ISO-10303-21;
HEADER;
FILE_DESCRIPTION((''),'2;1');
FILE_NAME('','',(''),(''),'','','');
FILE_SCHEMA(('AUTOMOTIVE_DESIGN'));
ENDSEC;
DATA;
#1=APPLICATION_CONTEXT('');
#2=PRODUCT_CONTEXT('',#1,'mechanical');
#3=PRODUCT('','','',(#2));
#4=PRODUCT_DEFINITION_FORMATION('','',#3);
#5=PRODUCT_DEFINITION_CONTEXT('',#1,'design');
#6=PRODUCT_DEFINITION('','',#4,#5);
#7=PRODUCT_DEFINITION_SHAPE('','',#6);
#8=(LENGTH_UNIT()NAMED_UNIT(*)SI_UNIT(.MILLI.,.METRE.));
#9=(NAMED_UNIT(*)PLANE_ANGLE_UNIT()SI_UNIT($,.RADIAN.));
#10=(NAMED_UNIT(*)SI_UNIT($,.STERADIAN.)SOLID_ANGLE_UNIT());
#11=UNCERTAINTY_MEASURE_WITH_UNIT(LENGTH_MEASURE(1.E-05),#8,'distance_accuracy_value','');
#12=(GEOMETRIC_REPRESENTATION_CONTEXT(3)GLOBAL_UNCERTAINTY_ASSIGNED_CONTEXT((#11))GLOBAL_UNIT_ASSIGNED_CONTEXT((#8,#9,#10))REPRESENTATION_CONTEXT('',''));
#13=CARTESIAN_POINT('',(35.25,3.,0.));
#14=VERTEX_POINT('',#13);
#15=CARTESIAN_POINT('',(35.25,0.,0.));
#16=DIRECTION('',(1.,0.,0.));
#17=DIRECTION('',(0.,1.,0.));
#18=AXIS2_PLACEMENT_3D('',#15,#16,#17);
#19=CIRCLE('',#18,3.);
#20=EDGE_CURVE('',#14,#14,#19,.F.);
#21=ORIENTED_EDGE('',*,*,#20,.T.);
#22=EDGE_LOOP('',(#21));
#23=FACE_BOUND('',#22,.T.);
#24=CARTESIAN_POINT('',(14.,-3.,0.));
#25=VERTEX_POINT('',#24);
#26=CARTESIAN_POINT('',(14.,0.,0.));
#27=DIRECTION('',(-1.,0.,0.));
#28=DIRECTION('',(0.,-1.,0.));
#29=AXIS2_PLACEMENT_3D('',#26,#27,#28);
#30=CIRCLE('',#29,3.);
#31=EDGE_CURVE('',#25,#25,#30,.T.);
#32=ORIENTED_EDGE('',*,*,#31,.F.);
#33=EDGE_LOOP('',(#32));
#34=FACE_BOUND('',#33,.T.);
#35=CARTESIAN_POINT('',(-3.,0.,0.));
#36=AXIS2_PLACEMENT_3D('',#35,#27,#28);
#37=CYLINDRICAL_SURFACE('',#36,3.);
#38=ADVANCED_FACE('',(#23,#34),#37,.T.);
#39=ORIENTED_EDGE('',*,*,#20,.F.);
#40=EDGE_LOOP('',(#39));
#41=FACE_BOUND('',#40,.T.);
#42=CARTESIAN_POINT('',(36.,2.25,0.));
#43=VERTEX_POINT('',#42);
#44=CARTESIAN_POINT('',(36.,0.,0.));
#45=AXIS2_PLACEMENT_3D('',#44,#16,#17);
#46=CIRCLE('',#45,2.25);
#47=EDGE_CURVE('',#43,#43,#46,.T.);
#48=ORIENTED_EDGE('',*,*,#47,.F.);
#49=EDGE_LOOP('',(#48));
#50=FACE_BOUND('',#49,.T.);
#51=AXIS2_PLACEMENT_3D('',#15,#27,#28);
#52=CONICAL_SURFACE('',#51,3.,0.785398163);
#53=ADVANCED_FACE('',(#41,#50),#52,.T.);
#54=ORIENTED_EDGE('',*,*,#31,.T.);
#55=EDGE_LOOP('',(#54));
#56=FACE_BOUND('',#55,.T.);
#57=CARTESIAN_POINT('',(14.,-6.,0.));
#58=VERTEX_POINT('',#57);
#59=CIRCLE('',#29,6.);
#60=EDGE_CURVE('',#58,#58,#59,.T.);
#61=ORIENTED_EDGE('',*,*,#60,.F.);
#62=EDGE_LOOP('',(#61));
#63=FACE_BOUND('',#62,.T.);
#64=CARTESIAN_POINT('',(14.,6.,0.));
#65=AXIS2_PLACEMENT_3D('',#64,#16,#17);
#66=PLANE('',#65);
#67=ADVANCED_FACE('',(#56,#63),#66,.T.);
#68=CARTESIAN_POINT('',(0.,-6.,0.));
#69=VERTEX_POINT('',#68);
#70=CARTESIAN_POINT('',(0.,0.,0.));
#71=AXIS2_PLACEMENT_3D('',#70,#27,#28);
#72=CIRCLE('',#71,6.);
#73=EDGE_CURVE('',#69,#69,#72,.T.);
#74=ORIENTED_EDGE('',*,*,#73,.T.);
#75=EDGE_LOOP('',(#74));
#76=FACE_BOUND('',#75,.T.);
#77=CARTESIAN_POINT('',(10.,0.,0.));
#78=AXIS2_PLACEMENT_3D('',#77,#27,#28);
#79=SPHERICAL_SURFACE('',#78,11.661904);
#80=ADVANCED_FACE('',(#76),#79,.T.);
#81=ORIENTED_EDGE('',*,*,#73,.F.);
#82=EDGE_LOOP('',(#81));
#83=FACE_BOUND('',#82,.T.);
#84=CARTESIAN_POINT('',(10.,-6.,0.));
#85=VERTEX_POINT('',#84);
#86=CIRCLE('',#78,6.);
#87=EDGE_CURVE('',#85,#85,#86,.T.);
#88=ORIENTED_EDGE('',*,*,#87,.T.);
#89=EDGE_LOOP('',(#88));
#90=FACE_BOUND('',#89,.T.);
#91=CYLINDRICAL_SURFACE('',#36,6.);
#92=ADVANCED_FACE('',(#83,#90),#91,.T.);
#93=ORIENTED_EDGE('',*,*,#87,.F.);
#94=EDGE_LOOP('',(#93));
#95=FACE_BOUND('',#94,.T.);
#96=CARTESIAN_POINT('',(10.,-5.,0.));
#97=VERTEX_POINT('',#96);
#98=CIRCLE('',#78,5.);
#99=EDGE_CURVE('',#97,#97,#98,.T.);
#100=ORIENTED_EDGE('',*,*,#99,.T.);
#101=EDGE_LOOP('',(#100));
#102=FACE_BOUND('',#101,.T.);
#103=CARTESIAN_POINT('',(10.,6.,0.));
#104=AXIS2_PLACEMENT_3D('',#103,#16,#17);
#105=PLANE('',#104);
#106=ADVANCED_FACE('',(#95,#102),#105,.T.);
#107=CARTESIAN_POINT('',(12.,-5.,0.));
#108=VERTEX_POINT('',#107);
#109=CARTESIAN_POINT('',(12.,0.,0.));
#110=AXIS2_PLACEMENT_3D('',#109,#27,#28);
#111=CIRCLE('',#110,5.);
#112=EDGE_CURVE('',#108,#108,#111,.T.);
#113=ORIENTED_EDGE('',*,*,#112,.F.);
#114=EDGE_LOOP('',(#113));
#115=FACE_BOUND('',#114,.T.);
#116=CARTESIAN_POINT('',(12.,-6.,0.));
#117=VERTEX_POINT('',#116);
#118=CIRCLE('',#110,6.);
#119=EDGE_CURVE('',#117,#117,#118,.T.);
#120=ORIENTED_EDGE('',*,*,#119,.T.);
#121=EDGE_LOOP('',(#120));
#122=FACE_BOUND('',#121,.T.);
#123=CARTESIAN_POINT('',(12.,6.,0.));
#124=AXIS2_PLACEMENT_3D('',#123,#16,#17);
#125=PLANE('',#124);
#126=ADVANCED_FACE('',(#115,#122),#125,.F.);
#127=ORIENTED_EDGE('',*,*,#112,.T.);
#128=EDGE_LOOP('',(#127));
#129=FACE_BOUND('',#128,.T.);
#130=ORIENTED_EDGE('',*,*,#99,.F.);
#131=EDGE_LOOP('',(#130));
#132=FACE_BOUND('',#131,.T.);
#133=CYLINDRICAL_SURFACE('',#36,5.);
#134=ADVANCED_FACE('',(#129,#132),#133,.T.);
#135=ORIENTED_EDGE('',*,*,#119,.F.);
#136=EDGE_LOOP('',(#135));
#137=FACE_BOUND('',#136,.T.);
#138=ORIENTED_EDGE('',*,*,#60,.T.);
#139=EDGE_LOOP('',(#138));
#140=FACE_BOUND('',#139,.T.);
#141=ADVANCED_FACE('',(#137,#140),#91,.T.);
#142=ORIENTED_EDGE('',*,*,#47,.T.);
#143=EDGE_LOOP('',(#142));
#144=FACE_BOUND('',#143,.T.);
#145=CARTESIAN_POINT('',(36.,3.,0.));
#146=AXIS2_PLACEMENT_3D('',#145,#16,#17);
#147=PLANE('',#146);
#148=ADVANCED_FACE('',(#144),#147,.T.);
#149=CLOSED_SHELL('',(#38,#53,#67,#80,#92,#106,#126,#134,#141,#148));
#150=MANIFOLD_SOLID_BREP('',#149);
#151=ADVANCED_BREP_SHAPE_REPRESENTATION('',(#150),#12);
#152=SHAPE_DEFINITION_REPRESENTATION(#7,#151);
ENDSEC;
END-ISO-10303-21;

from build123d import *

# Parameters (mm, degrees)
CHANFREIN1_SIZE = 0.75


with BuildPart() as part:
    # Esquisse1 → Base-Révolution (revolve)
    with BuildSketch(Plane.XY, mode=Mode.PRIVATE) as base_r_volution_sk:
        with BuildLine():
            Line((0, 6), (10, 6))
            Line((10, 6), (10, 5))
            Line((10, 5), (12, 5))
            Line((12, 5), (12, 6))
            Line((12, 6), (14, 6))
            Line((14, 6), (14, 3))
            Line((14, 3), (36, 3))
            Line((36, 3), (36, 0))
            Line((36, 0), (-1.66190379, 0))
            ThreePointArc((-1.66190379, 0), (-1.238750773, 3.11295375), (0, 6))
        make_face()
    revolve(base_r_volution_sk.sketch.rotate(Axis((-3, 0, 0), (1, 0, 0)), 180), axis=Axis((-3, 0, 0), (1, 0, 0)))

    # Chanfrein1
    chanfrein1_edges = [part.edges().sort_by_distance(p)[0] for p in [
        (36, 3, 0),
    ]]
    chamfer(chanfrein1_edges, length=CHANFREIN1_SIZE)


solid = part.part
